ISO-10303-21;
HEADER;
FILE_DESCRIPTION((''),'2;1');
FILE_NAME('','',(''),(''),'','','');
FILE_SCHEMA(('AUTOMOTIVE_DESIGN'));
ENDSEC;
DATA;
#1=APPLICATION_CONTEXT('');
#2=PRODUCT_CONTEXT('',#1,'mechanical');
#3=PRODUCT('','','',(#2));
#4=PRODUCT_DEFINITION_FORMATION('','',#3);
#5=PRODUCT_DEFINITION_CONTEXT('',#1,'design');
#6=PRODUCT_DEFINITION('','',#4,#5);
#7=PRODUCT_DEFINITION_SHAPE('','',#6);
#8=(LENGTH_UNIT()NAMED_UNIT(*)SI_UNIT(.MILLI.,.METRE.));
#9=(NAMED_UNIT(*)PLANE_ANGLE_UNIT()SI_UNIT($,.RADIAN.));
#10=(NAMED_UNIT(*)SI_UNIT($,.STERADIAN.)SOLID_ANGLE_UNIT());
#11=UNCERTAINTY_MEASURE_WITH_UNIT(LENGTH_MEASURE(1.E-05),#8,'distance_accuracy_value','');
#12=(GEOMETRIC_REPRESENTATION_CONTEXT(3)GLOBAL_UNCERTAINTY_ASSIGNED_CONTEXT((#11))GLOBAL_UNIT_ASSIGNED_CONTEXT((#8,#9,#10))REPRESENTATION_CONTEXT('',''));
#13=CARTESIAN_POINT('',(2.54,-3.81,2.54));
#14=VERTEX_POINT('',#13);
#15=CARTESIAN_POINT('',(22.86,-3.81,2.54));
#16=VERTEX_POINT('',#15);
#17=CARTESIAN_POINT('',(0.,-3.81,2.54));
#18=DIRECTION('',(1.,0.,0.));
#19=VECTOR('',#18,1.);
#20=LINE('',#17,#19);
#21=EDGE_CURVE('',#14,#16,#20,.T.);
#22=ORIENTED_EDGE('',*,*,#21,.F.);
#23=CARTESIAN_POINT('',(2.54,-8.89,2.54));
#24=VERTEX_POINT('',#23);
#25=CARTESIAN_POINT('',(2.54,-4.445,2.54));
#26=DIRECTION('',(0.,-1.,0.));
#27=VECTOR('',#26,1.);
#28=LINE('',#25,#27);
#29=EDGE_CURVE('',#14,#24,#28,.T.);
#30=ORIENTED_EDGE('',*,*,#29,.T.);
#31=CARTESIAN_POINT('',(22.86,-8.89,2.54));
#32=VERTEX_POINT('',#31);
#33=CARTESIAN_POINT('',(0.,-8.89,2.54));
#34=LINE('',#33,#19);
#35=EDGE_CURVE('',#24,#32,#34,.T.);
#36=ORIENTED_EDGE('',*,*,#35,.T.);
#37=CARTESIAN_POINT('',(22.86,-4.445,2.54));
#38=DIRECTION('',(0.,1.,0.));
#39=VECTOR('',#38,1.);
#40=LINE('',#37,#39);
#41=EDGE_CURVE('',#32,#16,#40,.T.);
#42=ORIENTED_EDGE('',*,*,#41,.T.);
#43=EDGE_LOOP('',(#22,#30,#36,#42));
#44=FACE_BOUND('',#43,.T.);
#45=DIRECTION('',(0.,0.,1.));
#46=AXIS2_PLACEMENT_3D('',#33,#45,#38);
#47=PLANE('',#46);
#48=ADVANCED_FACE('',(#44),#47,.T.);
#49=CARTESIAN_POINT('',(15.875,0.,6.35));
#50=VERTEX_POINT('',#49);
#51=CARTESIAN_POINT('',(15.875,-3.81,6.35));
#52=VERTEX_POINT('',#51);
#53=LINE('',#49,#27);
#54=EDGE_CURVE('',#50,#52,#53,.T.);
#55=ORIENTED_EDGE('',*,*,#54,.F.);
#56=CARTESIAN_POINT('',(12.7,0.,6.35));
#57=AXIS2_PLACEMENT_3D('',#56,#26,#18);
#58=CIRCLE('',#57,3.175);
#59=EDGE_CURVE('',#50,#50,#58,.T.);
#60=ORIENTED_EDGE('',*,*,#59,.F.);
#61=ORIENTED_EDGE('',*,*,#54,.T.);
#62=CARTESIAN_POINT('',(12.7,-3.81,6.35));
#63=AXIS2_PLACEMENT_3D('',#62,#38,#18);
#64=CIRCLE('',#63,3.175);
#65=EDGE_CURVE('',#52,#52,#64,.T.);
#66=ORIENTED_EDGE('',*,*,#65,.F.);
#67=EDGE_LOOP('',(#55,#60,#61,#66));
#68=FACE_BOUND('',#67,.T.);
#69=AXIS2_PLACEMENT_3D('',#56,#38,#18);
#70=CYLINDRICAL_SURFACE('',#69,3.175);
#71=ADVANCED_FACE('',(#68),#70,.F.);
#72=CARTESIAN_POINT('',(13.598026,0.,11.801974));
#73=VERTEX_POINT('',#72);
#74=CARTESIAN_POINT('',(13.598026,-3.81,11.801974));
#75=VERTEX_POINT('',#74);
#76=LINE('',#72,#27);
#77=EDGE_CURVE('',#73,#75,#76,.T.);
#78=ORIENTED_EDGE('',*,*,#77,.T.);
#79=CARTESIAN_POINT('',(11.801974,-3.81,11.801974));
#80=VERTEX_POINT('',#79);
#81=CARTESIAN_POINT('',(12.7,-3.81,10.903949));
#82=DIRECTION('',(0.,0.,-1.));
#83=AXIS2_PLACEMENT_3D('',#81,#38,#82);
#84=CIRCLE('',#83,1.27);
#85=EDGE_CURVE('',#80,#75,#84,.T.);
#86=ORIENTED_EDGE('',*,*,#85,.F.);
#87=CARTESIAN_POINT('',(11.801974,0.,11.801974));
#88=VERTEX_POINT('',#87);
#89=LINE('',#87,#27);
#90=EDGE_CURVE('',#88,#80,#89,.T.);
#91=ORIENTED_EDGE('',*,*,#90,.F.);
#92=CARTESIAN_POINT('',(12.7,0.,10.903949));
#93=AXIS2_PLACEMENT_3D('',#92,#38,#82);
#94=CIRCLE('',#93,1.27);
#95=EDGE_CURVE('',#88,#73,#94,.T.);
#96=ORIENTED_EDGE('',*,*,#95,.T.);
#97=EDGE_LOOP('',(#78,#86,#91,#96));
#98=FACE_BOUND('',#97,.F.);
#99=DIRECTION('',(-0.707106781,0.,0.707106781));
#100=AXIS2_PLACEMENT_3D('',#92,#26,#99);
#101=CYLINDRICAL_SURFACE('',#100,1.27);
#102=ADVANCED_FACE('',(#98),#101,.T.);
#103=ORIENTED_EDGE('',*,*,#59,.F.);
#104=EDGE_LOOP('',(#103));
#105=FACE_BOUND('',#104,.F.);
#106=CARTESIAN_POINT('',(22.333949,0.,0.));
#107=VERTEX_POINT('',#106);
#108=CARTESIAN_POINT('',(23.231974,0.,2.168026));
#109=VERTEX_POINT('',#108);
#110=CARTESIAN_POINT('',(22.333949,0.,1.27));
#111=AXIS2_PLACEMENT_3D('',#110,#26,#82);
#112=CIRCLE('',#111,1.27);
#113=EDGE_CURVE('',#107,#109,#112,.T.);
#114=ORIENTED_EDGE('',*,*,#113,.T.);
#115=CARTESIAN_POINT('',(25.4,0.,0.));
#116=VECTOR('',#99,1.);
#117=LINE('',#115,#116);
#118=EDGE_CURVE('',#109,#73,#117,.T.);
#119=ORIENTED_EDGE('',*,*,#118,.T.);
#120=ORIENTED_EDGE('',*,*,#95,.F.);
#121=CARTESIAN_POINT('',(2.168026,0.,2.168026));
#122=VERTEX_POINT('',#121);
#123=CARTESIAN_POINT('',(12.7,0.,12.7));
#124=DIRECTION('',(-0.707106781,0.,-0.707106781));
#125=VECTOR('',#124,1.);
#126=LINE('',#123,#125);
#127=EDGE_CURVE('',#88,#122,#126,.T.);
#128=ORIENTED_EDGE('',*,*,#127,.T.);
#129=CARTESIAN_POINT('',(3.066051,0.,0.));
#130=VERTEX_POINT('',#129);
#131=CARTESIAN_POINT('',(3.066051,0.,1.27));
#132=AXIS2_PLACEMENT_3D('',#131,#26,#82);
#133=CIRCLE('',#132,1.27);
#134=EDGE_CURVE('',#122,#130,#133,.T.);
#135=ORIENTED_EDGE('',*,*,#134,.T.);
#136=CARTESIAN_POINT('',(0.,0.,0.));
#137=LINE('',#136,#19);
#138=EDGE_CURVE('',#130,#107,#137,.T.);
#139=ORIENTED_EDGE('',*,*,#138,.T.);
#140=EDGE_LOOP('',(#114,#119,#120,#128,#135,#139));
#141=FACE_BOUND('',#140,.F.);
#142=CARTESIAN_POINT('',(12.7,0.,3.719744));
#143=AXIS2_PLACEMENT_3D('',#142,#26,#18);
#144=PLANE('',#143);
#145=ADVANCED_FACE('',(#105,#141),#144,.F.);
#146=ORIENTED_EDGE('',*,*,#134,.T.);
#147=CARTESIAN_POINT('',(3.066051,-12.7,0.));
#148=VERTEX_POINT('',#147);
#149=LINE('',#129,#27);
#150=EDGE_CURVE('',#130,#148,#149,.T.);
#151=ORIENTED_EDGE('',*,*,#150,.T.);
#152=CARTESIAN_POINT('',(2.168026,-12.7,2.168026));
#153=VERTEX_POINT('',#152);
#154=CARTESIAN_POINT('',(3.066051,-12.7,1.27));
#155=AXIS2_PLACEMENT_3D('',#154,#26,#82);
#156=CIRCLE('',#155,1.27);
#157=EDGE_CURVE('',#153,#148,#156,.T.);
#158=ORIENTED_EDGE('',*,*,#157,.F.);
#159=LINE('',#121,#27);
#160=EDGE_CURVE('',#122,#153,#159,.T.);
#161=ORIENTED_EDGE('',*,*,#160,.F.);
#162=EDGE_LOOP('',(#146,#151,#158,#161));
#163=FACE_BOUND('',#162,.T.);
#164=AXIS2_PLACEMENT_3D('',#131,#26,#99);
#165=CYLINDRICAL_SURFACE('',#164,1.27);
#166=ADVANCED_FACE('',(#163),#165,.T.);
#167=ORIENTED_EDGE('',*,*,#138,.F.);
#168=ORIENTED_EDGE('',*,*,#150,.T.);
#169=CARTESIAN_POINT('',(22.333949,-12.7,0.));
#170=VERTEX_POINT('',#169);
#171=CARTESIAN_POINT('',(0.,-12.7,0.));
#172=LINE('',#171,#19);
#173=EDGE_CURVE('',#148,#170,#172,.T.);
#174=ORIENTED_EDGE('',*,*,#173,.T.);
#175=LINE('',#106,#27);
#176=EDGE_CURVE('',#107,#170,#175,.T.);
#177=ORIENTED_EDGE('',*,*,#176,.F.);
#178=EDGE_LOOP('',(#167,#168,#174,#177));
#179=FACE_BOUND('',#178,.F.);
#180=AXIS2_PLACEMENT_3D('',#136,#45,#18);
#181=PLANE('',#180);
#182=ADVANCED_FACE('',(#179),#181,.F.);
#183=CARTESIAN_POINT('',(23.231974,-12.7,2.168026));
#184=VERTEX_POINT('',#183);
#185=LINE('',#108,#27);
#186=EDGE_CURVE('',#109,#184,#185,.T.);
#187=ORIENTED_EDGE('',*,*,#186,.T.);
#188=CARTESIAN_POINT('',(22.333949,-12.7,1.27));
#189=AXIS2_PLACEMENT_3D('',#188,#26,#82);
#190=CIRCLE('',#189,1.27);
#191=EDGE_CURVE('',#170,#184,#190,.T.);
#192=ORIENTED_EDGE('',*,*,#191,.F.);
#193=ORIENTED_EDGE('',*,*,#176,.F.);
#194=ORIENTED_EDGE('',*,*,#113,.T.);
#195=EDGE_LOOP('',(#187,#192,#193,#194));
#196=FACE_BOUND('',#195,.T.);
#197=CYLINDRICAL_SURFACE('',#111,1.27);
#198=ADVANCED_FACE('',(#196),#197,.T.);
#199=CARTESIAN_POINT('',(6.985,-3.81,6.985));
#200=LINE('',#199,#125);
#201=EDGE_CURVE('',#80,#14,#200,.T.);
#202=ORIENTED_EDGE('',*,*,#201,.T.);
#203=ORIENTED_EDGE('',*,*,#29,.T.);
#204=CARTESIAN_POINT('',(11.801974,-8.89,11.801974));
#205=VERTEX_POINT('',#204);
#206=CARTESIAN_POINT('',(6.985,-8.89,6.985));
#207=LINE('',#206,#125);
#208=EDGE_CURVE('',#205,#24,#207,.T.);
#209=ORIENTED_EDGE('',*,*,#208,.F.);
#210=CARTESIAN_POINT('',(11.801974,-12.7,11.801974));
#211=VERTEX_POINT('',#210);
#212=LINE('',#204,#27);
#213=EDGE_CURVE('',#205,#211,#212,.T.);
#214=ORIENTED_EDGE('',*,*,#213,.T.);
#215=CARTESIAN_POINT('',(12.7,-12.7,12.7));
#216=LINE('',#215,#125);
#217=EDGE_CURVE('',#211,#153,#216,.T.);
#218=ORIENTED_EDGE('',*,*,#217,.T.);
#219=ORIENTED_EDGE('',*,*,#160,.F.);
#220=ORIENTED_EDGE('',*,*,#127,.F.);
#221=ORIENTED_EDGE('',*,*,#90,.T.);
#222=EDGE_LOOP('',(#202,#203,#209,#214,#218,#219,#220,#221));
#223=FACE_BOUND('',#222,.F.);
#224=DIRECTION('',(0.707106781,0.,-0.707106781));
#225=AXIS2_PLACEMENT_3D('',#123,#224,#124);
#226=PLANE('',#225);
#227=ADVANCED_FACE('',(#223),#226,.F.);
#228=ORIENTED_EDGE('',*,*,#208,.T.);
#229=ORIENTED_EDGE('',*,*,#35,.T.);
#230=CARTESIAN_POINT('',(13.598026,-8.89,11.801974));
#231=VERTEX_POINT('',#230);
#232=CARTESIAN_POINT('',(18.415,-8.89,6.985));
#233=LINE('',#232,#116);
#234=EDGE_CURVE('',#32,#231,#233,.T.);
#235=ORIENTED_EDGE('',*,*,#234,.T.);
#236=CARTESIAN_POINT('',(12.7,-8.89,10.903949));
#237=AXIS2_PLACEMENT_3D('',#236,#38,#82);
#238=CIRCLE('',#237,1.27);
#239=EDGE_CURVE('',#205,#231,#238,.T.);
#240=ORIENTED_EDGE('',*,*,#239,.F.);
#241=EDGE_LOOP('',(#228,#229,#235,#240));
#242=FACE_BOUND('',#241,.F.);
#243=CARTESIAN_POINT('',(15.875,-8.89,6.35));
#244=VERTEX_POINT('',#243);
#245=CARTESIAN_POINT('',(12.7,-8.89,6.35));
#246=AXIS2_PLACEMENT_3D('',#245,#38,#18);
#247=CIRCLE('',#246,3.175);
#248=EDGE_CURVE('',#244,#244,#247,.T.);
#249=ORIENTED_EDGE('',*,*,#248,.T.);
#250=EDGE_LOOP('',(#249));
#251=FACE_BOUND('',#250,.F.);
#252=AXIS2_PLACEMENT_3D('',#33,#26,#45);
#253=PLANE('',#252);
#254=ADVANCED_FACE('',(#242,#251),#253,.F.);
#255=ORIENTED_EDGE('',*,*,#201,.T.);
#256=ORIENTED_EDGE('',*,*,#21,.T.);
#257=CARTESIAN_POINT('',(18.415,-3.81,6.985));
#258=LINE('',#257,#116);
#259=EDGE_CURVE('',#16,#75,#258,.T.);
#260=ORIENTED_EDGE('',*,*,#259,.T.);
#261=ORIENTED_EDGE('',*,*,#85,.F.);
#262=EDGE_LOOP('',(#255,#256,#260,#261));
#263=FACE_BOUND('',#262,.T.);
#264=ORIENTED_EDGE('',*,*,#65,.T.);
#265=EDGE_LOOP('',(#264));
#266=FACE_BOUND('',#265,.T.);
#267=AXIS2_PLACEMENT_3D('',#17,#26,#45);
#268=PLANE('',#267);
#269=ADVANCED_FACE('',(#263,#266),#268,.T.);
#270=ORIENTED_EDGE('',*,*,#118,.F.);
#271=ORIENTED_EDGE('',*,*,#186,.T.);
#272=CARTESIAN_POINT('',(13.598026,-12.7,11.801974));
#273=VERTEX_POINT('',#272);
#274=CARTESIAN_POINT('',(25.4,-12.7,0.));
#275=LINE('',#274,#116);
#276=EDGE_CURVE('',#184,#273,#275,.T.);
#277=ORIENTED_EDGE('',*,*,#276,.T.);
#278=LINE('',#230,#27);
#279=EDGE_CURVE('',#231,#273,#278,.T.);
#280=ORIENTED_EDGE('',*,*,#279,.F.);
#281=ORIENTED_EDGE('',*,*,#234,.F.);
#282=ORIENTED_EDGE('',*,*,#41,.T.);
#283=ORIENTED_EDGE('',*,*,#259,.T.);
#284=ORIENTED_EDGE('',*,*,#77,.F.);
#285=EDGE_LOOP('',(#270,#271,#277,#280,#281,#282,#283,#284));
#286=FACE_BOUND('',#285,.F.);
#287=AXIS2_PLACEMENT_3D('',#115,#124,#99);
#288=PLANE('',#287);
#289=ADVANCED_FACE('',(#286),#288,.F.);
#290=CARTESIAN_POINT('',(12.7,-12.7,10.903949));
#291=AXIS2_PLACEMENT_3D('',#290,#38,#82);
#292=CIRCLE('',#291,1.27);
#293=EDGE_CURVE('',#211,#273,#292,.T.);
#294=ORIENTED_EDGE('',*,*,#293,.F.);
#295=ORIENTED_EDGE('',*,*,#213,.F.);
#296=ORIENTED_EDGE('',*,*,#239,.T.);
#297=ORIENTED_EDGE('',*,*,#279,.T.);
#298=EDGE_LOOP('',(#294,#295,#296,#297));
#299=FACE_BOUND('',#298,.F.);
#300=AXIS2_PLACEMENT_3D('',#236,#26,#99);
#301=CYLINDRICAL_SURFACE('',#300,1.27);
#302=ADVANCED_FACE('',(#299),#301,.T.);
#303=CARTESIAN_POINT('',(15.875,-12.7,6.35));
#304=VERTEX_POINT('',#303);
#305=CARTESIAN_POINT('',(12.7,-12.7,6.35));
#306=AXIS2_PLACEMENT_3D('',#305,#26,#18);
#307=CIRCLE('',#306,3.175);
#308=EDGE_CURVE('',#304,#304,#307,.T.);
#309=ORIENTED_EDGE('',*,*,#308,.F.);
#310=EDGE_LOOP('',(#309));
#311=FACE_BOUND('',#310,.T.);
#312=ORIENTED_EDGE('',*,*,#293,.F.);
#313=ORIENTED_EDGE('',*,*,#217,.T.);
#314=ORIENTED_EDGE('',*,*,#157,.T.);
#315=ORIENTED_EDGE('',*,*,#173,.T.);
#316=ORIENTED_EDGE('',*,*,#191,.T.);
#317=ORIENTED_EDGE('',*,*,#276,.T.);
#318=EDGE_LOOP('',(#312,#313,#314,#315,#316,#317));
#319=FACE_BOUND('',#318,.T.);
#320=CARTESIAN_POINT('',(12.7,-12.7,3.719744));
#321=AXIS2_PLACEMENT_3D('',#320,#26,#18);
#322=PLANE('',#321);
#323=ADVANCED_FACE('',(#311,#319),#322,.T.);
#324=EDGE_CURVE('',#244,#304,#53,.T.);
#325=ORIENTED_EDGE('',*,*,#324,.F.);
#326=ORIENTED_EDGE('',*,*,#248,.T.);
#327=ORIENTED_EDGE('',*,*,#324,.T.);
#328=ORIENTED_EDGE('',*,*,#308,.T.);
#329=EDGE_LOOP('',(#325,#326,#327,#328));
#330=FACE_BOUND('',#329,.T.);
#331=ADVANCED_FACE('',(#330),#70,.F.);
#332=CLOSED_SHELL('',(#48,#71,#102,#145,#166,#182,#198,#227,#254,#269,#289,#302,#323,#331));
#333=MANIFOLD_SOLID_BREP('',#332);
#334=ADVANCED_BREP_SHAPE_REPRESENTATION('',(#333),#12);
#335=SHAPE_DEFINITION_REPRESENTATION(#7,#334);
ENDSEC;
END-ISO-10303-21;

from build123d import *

# Parameters (mm, degrees)
F0_R     = 3.175
F1_DEPTH = 12.7
F2_W     = 5.08
F2_H     = 10.16
F3_DEPTH = 25.401
F4_R     = 1.27


with BuildPart() as f1:
    # F0 (on Front) → F1 (new body)
    with BuildSketch(Plane.XZ):
        Polygon((12.7, 12.7), (0, 0), (25.4, 0), align=None)
        with Locations((12.7, 6.35)):
            Circle(F0_R, mode=Mode.SUBTRACT)
    extrude(amount=F1_DEPTH)

    # F2 (on Right) → F3 (cut, through all)
    with BuildSketch(Plane.YZ):
        with Locations((-6.35, 7.62)):
            Rectangle(F2_W, F2_H)
    extrude(amount=F3_DEPTH, mode=Mode.SUBTRACT)

    # F4
    f4_edges = [f1.edges().sort_by_distance(p)[0] for p in [
        (12.7, -10.795, 12.7),
        (12.7, -1.905, 12.7),
        (0, -6.35, 0),
        (25.4, -6.35, 0),
    ]]
    fillet(f4_edges, radius=F4_R)


solid = f1.part
